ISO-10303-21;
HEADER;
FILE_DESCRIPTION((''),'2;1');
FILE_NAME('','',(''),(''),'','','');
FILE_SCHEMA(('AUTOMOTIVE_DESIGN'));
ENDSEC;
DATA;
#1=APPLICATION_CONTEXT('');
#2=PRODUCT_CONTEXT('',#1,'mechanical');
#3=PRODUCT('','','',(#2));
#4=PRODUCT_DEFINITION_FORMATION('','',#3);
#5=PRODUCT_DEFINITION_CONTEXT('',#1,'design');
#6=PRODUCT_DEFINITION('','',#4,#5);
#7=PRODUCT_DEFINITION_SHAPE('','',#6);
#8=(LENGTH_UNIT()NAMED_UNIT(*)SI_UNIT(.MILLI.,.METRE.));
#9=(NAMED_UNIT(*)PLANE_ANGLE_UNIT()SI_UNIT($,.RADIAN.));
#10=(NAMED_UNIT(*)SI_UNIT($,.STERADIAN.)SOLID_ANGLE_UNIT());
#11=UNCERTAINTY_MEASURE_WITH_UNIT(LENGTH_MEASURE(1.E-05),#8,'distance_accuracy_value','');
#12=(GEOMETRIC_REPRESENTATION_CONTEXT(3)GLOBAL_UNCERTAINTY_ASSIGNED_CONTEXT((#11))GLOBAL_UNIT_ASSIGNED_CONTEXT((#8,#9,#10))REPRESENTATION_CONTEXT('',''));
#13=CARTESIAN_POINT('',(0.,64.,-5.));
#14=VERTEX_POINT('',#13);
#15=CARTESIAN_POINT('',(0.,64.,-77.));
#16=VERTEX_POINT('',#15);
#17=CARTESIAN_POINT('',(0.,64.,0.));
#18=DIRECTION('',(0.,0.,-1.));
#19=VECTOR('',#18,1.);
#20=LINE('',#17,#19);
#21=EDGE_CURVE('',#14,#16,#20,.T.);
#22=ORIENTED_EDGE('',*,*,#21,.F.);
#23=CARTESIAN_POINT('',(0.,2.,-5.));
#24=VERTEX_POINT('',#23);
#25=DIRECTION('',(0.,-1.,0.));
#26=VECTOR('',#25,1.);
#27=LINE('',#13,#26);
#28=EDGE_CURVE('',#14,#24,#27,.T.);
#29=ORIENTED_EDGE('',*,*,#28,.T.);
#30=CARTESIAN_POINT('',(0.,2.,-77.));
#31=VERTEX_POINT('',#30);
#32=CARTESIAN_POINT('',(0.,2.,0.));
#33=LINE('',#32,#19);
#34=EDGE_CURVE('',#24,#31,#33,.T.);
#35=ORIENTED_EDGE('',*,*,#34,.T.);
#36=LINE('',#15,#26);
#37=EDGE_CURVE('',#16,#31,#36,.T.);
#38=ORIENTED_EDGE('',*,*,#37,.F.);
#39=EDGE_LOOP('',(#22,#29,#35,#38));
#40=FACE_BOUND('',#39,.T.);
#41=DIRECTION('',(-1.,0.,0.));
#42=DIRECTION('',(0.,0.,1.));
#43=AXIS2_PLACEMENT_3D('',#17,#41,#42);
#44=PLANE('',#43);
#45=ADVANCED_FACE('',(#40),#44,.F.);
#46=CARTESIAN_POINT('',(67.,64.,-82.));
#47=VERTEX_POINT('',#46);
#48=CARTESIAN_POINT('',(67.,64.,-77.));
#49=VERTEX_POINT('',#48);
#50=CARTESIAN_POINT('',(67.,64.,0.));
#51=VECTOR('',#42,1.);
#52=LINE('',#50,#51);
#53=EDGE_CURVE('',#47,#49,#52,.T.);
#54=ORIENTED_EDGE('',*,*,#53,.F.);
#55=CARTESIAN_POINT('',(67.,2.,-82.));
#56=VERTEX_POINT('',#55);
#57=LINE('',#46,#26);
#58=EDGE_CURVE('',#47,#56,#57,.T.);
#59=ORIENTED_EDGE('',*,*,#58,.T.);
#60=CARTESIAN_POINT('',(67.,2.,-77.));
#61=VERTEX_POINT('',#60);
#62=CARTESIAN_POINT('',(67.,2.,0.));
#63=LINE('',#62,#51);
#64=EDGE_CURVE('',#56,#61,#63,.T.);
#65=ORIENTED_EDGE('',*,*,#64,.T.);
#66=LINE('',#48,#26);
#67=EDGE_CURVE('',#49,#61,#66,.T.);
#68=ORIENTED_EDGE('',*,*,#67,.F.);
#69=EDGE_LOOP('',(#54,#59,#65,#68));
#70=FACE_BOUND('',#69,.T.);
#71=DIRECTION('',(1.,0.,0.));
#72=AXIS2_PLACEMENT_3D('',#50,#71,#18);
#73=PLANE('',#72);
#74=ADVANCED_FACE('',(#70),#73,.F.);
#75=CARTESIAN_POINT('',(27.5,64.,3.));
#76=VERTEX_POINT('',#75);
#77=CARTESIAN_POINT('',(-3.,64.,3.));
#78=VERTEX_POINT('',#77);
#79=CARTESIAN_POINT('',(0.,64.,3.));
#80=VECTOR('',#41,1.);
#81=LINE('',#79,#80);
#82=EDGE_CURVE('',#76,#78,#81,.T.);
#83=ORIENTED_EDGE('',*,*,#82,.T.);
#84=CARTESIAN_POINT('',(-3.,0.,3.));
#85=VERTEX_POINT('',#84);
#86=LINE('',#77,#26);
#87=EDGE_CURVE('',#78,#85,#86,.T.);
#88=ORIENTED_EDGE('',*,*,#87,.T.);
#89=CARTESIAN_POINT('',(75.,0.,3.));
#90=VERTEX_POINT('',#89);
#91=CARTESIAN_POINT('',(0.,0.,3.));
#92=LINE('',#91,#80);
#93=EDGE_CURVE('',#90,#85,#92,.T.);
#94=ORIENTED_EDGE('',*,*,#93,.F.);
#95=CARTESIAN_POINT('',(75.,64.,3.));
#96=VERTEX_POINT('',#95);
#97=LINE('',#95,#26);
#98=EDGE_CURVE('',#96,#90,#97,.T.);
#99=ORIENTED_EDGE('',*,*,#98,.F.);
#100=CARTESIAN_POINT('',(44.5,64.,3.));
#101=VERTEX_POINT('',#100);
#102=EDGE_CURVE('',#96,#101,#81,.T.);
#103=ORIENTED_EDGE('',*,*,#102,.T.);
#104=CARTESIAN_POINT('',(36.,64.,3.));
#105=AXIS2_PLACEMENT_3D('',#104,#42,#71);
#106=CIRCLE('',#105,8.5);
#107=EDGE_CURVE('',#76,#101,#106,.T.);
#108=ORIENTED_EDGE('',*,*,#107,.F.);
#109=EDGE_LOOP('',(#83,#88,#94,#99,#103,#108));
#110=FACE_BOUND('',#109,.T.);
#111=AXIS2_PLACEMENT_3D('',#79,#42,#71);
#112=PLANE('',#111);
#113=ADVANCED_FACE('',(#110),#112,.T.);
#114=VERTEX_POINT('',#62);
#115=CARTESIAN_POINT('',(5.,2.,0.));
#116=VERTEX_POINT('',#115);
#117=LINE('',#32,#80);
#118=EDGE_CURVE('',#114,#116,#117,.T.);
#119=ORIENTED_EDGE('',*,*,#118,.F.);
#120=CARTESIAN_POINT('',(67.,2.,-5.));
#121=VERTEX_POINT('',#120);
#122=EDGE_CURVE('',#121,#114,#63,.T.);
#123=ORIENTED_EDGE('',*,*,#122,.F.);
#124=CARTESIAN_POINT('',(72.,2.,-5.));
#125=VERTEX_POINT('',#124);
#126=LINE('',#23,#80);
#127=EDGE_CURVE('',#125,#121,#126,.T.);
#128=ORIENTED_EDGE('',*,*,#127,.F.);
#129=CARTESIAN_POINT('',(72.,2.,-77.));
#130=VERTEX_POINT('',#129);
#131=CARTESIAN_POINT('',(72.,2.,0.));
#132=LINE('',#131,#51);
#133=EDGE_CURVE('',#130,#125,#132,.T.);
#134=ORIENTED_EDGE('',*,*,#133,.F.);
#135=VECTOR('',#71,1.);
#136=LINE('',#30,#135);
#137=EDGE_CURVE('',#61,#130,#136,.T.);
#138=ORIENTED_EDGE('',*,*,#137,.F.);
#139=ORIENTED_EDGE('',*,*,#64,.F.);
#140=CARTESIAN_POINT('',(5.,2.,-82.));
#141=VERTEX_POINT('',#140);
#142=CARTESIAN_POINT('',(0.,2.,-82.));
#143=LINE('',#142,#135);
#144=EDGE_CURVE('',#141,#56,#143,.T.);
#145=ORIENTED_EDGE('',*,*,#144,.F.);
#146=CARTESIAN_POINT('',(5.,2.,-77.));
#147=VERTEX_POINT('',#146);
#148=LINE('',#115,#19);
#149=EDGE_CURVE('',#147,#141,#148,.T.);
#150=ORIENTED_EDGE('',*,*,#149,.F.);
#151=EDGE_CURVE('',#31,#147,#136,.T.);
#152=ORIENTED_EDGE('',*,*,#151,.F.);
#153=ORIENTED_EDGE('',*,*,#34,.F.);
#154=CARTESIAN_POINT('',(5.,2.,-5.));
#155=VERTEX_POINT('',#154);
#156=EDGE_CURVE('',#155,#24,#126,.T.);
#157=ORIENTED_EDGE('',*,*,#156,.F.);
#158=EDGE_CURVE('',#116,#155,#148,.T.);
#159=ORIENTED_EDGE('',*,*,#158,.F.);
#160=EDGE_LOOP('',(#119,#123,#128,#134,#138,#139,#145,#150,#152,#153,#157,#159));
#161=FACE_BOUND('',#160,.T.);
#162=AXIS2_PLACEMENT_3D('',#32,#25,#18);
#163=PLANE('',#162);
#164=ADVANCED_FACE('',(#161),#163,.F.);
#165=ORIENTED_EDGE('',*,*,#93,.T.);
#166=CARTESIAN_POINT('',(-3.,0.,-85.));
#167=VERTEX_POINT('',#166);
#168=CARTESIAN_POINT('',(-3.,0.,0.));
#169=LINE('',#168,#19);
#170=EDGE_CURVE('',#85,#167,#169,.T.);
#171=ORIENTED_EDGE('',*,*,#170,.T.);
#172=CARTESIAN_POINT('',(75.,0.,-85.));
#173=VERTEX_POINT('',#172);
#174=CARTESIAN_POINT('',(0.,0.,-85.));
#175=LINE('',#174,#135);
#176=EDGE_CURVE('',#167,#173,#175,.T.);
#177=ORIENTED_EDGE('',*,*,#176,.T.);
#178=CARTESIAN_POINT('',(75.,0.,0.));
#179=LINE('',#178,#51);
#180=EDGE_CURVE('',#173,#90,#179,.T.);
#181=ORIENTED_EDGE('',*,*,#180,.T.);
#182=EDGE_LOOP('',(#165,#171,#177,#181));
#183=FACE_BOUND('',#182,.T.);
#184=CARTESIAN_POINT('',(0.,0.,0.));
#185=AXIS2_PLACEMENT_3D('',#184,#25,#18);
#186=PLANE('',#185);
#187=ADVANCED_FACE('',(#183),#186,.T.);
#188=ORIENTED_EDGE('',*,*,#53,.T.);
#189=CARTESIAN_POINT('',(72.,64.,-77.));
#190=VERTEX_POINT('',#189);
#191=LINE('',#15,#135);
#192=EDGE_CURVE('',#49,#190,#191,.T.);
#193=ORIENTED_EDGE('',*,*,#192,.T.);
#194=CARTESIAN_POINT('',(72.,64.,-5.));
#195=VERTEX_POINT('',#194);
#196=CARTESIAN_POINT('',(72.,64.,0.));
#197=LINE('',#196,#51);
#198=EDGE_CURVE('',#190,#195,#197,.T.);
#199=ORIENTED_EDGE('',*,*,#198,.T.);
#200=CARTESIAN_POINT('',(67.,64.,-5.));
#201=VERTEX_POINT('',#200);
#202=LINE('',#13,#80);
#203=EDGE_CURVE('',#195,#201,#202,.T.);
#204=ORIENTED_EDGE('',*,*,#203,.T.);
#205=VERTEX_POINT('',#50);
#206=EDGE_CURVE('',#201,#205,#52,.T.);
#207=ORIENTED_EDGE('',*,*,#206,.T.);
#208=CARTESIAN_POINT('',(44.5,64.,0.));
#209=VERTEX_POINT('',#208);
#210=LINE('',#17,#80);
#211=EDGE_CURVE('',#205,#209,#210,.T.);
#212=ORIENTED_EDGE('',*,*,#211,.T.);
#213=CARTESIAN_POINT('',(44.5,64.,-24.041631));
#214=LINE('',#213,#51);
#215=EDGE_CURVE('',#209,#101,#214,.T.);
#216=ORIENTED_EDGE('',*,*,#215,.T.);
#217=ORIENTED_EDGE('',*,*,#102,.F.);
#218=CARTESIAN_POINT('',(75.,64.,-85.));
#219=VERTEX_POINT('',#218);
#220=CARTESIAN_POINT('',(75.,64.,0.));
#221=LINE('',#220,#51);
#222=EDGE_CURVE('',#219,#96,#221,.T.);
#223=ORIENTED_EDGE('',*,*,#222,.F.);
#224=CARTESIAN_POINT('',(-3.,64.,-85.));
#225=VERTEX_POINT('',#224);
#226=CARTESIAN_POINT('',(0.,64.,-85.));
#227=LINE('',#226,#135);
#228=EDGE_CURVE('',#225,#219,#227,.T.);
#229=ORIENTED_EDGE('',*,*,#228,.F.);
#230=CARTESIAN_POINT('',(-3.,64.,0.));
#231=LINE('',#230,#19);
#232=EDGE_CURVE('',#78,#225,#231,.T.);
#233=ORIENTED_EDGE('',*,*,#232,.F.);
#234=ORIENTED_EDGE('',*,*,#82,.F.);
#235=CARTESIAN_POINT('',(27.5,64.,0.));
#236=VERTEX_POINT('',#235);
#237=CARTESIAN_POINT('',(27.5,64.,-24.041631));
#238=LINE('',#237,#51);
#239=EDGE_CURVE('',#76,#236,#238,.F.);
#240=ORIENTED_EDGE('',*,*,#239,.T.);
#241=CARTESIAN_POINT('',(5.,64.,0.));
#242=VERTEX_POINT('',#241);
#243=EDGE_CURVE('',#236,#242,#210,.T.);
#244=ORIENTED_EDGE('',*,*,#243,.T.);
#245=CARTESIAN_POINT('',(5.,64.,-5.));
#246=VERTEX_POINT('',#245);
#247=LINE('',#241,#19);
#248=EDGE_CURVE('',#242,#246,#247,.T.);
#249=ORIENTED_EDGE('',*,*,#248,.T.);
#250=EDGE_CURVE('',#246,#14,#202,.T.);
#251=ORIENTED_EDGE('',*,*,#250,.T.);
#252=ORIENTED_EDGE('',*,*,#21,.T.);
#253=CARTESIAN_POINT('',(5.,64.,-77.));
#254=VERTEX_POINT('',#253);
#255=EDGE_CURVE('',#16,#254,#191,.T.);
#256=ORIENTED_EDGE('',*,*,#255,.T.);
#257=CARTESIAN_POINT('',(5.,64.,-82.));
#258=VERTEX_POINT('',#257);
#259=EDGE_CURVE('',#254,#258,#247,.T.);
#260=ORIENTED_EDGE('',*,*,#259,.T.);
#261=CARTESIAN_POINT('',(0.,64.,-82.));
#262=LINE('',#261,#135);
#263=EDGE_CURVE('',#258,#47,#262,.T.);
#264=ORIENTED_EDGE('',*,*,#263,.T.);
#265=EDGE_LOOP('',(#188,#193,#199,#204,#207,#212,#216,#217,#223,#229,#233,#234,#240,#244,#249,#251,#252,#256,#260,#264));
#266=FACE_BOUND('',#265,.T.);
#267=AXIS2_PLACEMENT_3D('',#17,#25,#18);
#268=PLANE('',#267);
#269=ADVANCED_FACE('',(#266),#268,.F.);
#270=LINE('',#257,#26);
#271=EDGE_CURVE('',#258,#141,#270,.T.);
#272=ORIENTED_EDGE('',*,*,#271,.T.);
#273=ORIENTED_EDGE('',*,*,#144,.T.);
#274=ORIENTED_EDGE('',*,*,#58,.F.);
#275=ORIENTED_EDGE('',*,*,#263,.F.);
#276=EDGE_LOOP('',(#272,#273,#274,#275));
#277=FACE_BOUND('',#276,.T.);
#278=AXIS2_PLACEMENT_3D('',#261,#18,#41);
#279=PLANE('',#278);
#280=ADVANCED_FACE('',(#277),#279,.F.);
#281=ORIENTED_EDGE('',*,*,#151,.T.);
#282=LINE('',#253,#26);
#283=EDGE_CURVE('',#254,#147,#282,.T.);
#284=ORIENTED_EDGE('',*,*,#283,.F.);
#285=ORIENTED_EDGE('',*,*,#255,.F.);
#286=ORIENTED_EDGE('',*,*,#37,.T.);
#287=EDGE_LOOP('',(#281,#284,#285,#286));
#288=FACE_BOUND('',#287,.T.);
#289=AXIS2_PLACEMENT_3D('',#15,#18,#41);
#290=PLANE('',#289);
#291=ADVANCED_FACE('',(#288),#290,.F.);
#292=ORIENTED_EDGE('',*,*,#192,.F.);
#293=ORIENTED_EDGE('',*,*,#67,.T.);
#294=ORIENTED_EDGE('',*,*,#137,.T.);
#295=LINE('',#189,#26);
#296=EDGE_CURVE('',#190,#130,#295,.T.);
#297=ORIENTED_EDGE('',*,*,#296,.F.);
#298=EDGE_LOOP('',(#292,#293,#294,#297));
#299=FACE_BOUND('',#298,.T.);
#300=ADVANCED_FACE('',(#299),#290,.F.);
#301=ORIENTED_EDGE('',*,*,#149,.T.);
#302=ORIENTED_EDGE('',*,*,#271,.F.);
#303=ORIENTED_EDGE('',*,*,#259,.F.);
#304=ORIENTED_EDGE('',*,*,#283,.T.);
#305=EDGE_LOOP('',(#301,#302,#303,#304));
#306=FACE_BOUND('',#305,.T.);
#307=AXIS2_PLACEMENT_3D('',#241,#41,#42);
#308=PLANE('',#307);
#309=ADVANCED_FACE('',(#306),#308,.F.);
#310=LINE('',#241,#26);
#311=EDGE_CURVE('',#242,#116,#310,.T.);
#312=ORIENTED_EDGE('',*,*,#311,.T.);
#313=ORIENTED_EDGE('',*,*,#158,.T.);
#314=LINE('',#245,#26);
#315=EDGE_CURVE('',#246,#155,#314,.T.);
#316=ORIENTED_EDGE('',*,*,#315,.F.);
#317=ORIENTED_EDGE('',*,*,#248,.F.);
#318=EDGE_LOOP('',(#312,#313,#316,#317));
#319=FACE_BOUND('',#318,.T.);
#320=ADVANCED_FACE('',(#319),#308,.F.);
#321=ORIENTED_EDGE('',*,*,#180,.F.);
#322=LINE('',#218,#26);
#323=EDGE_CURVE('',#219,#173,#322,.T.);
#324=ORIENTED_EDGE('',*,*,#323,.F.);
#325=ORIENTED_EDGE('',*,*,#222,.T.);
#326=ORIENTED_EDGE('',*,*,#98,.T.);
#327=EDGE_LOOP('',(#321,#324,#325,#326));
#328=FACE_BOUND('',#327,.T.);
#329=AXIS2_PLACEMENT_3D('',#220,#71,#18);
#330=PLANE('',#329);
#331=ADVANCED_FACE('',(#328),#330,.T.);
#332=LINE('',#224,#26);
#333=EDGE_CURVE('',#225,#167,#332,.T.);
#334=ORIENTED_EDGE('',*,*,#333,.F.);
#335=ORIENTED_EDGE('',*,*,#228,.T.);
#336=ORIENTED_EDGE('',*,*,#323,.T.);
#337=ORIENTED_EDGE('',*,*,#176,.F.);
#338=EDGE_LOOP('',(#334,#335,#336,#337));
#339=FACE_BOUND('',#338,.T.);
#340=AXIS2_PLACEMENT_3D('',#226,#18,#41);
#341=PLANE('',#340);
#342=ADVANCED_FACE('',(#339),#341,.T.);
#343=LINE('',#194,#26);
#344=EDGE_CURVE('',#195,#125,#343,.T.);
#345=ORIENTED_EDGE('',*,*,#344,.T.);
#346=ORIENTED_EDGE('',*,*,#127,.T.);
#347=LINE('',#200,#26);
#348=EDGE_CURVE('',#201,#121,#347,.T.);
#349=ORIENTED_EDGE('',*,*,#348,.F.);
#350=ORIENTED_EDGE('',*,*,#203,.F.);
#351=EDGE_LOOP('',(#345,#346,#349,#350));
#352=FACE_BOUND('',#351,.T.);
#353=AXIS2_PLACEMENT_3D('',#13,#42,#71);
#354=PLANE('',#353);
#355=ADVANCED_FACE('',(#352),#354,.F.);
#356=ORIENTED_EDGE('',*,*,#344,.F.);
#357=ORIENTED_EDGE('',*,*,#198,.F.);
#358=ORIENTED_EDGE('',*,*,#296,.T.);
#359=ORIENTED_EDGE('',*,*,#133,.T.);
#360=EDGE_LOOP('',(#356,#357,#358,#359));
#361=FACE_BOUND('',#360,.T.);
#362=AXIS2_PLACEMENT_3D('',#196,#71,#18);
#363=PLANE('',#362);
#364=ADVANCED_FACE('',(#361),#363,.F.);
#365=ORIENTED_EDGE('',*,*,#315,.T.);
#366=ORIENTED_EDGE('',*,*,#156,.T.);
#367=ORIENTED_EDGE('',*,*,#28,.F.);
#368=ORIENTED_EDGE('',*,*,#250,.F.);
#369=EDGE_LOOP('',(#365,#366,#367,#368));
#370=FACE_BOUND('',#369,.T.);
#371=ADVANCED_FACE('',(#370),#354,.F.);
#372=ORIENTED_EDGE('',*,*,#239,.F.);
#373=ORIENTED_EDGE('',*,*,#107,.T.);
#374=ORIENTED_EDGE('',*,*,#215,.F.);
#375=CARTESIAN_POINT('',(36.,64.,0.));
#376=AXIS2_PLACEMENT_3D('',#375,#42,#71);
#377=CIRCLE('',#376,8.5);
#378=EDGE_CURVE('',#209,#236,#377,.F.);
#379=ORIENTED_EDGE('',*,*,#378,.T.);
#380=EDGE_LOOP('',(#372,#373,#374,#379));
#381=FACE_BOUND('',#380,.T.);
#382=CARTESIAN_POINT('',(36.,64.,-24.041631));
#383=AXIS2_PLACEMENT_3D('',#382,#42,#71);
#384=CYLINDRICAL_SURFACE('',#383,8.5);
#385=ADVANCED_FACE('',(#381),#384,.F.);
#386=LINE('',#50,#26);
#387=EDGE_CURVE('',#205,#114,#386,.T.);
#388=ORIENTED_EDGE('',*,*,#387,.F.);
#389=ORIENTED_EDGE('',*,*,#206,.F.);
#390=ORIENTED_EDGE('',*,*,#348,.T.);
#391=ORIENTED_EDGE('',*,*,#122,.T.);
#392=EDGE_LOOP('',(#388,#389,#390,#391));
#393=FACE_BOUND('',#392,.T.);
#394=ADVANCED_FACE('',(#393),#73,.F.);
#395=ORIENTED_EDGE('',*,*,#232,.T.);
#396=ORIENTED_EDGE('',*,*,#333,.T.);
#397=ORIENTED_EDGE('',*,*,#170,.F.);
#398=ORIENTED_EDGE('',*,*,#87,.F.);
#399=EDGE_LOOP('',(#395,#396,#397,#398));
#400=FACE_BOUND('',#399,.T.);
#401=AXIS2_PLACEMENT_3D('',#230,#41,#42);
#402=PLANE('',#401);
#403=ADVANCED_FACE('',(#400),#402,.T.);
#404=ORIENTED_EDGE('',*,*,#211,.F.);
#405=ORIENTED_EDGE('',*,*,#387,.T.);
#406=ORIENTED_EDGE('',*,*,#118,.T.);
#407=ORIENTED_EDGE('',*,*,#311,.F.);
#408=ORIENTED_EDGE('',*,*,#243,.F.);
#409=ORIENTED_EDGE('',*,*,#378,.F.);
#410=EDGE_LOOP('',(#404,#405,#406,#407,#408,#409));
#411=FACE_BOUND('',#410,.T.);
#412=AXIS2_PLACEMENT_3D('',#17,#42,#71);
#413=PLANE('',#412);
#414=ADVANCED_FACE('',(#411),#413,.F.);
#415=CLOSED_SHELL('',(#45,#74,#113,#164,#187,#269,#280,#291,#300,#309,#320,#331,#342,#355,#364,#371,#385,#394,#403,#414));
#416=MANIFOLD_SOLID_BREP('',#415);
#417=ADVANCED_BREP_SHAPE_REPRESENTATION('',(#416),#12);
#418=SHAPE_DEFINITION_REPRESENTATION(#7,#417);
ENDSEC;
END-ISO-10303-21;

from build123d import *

# Parameters (mm, degrees)
SKETCH1_W           = 72
SKETCH1_H           = 82
BOSS_EXTRUDE1_DEPTH = 2
BOSS_EXTRUDE2_START = -2
SKETCH2_W           = 78
SKETCH2_H           = 88
BOSS_EXTRUDE2_DEPTH = 64
SKETCH4_R           = 8.5
CUT_EXTRUDE1_DEPTH  = 3


with BuildPart() as part:
    # Sketch1 → Boss-Extrude1 (new body)
    with BuildSketch(Plane(origin=(0, 0, 0), x_dir=(1, 0, 0), z_dir=(0, 1, 0))):
        with Locations((36, 41)):
            Rectangle(SKETCH1_W, SKETCH1_H)
    extrude(amount=BOSS_EXTRUDE1_DEPTH)

    # Sketch2 → Boss-Extrude2 (add)
    with BuildSketch(Plane(origin=(0, 2, 0), x_dir=(1, 0, 0), z_dir=(0, 1, 0)).offset(BOSS_EXTRUDE2_START)):
        with Locations((36, 41)):
            Rectangle(SKETCH2_W, SKETCH2_H)
        Polygon((5, 82), (67, 82), (67, 77), (72, 77), (72, 5), (67, 5), (67, 0), (5, 0), (5, 5), (0, 5), (0, 77), (5, 77), align=None, mode=Mode.SUBTRACT)
    extrude(amount=BOSS_EXTRUDE2_DEPTH)

    # Sketch4 → Cut-Extrude1 (cut)
    with BuildSketch(Plane.XY.offset(3)):
        with Locations((36, 64)):
            Circle(SKETCH4_R)
    extrude(amount=-CUT_EXTRUDE1_DEPTH, mode=Mode.SUBTRACT)


solid = part.part
